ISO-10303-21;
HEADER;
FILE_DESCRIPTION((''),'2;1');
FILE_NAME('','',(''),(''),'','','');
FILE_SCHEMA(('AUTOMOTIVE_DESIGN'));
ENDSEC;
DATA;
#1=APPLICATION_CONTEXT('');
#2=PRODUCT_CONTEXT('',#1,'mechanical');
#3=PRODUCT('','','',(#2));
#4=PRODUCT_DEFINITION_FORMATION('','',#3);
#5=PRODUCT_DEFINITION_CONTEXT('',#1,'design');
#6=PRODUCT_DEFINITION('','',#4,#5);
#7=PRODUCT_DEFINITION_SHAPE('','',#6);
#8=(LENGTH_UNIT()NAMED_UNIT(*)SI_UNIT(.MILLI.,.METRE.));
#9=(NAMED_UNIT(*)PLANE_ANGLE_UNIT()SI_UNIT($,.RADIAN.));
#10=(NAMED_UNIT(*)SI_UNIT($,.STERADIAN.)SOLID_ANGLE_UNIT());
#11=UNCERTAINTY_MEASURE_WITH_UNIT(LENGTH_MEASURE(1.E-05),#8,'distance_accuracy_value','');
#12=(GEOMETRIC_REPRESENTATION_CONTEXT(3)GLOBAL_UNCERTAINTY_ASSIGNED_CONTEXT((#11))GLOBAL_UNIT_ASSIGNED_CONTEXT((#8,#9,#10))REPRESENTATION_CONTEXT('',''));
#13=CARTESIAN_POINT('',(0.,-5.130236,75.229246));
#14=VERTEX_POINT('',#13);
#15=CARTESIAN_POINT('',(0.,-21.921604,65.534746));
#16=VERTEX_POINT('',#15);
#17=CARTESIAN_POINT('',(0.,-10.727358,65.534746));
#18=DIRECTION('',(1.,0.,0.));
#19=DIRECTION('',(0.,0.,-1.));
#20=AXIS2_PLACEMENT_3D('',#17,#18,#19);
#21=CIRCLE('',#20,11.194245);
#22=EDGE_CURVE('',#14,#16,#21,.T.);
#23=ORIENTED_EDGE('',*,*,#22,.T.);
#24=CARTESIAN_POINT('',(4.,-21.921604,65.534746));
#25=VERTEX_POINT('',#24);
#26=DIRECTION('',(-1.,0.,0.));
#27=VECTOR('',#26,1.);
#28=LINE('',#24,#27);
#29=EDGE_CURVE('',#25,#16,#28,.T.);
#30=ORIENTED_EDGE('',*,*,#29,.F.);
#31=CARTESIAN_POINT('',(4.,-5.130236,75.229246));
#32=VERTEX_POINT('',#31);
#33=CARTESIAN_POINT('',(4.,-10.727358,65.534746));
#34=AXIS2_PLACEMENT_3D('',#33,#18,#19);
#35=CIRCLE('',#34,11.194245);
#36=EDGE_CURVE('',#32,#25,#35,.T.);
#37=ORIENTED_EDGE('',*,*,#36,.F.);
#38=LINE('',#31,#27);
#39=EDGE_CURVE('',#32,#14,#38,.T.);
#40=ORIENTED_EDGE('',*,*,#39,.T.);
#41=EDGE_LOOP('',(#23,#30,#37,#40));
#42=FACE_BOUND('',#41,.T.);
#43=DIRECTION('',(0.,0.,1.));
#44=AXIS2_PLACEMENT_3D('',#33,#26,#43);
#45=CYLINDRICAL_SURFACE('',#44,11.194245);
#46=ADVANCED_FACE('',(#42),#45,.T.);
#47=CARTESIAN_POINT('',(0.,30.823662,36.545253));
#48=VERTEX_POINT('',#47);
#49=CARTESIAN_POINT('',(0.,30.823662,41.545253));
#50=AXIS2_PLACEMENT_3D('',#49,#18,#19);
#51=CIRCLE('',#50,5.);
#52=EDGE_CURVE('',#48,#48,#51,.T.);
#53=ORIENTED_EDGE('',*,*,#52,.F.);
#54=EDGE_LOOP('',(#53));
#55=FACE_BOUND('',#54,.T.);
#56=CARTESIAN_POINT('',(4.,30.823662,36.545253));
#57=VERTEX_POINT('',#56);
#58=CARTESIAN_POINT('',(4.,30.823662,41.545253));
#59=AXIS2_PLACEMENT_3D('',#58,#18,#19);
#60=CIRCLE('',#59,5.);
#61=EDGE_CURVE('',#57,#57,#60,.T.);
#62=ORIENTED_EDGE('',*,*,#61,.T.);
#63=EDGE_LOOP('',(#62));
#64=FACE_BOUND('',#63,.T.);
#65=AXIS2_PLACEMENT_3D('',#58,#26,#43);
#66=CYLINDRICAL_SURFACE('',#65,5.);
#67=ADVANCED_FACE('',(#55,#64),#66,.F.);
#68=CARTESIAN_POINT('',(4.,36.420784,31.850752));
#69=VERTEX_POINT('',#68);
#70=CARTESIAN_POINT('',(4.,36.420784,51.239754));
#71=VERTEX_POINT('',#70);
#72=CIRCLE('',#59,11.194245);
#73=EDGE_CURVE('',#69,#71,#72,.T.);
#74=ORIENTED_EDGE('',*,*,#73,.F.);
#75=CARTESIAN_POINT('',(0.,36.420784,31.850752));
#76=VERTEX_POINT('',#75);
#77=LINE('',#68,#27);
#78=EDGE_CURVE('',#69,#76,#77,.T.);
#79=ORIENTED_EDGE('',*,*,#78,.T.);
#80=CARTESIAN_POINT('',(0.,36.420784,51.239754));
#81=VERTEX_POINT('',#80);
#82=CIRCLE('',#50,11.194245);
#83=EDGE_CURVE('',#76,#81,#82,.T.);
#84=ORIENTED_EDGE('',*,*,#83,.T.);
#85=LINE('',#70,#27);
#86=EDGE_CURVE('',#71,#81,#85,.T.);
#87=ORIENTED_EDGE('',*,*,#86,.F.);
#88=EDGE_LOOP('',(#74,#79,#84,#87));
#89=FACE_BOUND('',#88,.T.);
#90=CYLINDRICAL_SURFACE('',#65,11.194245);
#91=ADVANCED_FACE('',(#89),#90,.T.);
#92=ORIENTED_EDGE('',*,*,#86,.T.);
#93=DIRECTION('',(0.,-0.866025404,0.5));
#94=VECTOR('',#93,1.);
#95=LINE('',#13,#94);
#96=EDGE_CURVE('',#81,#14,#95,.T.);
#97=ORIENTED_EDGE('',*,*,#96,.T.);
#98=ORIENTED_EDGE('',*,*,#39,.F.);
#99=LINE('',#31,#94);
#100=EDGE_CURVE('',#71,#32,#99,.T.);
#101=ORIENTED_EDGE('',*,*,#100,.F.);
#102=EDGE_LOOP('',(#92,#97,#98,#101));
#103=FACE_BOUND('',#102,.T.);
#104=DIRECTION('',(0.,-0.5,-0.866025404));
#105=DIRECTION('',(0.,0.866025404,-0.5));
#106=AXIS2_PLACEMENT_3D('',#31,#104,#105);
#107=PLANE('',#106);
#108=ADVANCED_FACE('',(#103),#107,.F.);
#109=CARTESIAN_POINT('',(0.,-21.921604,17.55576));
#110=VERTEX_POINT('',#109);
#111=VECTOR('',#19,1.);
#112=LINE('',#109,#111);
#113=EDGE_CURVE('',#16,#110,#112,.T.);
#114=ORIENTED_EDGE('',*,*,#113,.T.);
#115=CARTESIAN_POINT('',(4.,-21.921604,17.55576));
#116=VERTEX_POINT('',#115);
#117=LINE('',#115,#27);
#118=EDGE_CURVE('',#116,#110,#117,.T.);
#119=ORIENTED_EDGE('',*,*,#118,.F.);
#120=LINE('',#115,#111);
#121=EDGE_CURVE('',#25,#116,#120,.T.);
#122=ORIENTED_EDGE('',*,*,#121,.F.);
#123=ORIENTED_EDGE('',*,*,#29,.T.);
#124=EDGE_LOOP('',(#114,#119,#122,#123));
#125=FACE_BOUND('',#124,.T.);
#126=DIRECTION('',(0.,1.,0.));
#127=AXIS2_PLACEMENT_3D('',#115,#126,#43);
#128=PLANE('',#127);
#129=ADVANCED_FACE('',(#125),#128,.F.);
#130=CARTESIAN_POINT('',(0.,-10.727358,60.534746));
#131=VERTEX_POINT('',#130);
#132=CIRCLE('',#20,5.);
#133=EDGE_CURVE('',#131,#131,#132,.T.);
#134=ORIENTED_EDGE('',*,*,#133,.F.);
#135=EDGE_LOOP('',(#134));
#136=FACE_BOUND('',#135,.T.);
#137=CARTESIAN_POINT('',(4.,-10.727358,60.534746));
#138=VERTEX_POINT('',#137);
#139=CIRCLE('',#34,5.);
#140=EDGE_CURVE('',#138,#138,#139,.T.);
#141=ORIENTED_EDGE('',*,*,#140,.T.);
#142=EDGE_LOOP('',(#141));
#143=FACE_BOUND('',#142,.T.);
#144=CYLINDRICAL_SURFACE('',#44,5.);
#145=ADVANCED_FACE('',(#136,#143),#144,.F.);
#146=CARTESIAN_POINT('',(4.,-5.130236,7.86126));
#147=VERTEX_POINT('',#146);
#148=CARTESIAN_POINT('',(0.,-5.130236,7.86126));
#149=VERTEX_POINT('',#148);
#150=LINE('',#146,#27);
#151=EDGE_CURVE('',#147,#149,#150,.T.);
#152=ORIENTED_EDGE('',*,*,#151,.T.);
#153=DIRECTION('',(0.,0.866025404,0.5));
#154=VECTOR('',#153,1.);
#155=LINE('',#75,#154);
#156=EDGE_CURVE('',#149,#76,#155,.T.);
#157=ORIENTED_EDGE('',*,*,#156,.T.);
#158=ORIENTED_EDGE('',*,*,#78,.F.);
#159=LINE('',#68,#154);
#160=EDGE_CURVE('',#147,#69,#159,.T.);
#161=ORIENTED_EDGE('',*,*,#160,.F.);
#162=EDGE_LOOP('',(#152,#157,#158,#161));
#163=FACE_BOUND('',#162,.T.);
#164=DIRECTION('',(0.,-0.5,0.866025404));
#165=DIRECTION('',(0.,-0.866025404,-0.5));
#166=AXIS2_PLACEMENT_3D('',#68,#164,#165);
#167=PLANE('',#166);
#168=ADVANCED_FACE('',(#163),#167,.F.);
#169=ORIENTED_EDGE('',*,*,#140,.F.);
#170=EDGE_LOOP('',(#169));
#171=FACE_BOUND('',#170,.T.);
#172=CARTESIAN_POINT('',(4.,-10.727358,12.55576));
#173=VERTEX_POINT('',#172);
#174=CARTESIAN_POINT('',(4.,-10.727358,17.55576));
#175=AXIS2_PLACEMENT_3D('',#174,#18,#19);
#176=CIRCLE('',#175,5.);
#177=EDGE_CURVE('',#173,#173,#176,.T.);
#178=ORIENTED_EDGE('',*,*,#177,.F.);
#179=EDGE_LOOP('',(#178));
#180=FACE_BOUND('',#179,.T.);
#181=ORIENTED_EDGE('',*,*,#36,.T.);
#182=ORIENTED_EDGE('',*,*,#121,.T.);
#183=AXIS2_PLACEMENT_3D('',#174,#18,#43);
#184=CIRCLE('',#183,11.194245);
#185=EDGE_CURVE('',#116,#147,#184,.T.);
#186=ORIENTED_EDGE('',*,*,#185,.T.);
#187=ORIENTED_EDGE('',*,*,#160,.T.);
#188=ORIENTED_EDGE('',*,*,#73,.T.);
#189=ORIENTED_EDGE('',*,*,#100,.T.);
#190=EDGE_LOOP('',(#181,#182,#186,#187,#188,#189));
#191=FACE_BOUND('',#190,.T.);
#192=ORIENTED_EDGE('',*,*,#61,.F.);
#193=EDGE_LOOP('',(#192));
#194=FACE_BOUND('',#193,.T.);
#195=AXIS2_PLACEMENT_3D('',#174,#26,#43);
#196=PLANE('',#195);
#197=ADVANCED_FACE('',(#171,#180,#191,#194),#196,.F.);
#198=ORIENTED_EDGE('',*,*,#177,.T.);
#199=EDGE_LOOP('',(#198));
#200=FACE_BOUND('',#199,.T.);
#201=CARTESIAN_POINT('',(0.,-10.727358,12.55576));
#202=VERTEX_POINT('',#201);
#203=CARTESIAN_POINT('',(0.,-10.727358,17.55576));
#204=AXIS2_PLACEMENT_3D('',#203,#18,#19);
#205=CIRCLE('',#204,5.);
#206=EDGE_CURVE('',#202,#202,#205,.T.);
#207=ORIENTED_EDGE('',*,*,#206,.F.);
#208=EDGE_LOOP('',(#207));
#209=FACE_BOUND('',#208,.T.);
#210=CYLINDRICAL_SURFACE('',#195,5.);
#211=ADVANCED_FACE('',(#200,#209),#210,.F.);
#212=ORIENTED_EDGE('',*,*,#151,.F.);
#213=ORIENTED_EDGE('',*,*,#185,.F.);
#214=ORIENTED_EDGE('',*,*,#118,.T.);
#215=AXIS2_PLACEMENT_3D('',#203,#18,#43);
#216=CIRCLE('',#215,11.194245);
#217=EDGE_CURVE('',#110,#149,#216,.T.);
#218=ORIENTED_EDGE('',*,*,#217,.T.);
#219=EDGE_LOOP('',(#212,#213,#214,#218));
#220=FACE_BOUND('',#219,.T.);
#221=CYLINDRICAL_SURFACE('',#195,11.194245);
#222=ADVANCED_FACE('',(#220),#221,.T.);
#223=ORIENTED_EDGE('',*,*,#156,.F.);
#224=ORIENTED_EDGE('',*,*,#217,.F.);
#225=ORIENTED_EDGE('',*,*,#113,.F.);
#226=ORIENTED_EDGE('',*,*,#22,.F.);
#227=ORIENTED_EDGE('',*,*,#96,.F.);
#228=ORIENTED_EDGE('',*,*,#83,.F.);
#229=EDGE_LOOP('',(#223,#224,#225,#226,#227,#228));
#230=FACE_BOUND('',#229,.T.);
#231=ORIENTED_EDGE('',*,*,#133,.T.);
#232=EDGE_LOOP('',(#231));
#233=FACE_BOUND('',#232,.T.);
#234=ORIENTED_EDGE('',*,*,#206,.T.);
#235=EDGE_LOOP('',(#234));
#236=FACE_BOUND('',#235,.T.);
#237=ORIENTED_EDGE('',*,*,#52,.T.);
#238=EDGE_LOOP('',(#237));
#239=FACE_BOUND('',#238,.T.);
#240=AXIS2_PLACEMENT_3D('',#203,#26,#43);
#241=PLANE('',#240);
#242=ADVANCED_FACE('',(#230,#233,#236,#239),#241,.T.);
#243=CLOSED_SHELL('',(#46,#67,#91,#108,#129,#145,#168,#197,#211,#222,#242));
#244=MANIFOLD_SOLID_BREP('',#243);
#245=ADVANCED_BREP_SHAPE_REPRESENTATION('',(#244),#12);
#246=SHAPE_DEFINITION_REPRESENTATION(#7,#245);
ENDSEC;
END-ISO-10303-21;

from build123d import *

# Parameters (mm, degrees)
SKETCH1_R           = 5
BOSS_EXTRUDE1_DEPTH = 4


with BuildPart() as part:
    # Sketch1 → Boss-Extrude1 (new body)
    with BuildSketch(Plane(origin=(0, 0, 0), x_dir=(0, 0, -1), z_dir=(1, 0, 0))):
        with BuildLine():
            Line((-31.850752253, 36.420784179), (-7.861259629, -5.130235893))
            ThreePointArc((-7.861259629, -5.130235893), (-7.861259629, -16.324481088), (-17.555760345, -21.921603686))
            Line((-17.555760345, -21.921603686), (-65.534745592, -21.921603686))
            ThreePointArc((-65.534745592, -21.921603686), (-75.229246307, -16.324481088), (-75.229246307, -5.130235893))
            Line((-75.229246307, -5.130235893), (-51.239753683, 36.420784179))
            ThreePointArc((-51.239753683, 36.420784179), (-41.545252968, 42.017906776), (-31.850752253, 36.420784179))
        make_face()
        with Locations((-41.545252968, 30.823661581)):
            Circle(SKETCH1_R, mode=Mode.SUBTRACT)
        with Locations((-17.555760345, -10.727358491)):
            Circle(SKETCH1_R, mode=Mode.SUBTRACT)
        with Locations((-65.534745592, -10.727358491)):
            Circle(SKETCH1_R, mode=Mode.SUBTRACT)
    extrude(amount=BOSS_EXTRUDE1_DEPTH)


solid = part.part
